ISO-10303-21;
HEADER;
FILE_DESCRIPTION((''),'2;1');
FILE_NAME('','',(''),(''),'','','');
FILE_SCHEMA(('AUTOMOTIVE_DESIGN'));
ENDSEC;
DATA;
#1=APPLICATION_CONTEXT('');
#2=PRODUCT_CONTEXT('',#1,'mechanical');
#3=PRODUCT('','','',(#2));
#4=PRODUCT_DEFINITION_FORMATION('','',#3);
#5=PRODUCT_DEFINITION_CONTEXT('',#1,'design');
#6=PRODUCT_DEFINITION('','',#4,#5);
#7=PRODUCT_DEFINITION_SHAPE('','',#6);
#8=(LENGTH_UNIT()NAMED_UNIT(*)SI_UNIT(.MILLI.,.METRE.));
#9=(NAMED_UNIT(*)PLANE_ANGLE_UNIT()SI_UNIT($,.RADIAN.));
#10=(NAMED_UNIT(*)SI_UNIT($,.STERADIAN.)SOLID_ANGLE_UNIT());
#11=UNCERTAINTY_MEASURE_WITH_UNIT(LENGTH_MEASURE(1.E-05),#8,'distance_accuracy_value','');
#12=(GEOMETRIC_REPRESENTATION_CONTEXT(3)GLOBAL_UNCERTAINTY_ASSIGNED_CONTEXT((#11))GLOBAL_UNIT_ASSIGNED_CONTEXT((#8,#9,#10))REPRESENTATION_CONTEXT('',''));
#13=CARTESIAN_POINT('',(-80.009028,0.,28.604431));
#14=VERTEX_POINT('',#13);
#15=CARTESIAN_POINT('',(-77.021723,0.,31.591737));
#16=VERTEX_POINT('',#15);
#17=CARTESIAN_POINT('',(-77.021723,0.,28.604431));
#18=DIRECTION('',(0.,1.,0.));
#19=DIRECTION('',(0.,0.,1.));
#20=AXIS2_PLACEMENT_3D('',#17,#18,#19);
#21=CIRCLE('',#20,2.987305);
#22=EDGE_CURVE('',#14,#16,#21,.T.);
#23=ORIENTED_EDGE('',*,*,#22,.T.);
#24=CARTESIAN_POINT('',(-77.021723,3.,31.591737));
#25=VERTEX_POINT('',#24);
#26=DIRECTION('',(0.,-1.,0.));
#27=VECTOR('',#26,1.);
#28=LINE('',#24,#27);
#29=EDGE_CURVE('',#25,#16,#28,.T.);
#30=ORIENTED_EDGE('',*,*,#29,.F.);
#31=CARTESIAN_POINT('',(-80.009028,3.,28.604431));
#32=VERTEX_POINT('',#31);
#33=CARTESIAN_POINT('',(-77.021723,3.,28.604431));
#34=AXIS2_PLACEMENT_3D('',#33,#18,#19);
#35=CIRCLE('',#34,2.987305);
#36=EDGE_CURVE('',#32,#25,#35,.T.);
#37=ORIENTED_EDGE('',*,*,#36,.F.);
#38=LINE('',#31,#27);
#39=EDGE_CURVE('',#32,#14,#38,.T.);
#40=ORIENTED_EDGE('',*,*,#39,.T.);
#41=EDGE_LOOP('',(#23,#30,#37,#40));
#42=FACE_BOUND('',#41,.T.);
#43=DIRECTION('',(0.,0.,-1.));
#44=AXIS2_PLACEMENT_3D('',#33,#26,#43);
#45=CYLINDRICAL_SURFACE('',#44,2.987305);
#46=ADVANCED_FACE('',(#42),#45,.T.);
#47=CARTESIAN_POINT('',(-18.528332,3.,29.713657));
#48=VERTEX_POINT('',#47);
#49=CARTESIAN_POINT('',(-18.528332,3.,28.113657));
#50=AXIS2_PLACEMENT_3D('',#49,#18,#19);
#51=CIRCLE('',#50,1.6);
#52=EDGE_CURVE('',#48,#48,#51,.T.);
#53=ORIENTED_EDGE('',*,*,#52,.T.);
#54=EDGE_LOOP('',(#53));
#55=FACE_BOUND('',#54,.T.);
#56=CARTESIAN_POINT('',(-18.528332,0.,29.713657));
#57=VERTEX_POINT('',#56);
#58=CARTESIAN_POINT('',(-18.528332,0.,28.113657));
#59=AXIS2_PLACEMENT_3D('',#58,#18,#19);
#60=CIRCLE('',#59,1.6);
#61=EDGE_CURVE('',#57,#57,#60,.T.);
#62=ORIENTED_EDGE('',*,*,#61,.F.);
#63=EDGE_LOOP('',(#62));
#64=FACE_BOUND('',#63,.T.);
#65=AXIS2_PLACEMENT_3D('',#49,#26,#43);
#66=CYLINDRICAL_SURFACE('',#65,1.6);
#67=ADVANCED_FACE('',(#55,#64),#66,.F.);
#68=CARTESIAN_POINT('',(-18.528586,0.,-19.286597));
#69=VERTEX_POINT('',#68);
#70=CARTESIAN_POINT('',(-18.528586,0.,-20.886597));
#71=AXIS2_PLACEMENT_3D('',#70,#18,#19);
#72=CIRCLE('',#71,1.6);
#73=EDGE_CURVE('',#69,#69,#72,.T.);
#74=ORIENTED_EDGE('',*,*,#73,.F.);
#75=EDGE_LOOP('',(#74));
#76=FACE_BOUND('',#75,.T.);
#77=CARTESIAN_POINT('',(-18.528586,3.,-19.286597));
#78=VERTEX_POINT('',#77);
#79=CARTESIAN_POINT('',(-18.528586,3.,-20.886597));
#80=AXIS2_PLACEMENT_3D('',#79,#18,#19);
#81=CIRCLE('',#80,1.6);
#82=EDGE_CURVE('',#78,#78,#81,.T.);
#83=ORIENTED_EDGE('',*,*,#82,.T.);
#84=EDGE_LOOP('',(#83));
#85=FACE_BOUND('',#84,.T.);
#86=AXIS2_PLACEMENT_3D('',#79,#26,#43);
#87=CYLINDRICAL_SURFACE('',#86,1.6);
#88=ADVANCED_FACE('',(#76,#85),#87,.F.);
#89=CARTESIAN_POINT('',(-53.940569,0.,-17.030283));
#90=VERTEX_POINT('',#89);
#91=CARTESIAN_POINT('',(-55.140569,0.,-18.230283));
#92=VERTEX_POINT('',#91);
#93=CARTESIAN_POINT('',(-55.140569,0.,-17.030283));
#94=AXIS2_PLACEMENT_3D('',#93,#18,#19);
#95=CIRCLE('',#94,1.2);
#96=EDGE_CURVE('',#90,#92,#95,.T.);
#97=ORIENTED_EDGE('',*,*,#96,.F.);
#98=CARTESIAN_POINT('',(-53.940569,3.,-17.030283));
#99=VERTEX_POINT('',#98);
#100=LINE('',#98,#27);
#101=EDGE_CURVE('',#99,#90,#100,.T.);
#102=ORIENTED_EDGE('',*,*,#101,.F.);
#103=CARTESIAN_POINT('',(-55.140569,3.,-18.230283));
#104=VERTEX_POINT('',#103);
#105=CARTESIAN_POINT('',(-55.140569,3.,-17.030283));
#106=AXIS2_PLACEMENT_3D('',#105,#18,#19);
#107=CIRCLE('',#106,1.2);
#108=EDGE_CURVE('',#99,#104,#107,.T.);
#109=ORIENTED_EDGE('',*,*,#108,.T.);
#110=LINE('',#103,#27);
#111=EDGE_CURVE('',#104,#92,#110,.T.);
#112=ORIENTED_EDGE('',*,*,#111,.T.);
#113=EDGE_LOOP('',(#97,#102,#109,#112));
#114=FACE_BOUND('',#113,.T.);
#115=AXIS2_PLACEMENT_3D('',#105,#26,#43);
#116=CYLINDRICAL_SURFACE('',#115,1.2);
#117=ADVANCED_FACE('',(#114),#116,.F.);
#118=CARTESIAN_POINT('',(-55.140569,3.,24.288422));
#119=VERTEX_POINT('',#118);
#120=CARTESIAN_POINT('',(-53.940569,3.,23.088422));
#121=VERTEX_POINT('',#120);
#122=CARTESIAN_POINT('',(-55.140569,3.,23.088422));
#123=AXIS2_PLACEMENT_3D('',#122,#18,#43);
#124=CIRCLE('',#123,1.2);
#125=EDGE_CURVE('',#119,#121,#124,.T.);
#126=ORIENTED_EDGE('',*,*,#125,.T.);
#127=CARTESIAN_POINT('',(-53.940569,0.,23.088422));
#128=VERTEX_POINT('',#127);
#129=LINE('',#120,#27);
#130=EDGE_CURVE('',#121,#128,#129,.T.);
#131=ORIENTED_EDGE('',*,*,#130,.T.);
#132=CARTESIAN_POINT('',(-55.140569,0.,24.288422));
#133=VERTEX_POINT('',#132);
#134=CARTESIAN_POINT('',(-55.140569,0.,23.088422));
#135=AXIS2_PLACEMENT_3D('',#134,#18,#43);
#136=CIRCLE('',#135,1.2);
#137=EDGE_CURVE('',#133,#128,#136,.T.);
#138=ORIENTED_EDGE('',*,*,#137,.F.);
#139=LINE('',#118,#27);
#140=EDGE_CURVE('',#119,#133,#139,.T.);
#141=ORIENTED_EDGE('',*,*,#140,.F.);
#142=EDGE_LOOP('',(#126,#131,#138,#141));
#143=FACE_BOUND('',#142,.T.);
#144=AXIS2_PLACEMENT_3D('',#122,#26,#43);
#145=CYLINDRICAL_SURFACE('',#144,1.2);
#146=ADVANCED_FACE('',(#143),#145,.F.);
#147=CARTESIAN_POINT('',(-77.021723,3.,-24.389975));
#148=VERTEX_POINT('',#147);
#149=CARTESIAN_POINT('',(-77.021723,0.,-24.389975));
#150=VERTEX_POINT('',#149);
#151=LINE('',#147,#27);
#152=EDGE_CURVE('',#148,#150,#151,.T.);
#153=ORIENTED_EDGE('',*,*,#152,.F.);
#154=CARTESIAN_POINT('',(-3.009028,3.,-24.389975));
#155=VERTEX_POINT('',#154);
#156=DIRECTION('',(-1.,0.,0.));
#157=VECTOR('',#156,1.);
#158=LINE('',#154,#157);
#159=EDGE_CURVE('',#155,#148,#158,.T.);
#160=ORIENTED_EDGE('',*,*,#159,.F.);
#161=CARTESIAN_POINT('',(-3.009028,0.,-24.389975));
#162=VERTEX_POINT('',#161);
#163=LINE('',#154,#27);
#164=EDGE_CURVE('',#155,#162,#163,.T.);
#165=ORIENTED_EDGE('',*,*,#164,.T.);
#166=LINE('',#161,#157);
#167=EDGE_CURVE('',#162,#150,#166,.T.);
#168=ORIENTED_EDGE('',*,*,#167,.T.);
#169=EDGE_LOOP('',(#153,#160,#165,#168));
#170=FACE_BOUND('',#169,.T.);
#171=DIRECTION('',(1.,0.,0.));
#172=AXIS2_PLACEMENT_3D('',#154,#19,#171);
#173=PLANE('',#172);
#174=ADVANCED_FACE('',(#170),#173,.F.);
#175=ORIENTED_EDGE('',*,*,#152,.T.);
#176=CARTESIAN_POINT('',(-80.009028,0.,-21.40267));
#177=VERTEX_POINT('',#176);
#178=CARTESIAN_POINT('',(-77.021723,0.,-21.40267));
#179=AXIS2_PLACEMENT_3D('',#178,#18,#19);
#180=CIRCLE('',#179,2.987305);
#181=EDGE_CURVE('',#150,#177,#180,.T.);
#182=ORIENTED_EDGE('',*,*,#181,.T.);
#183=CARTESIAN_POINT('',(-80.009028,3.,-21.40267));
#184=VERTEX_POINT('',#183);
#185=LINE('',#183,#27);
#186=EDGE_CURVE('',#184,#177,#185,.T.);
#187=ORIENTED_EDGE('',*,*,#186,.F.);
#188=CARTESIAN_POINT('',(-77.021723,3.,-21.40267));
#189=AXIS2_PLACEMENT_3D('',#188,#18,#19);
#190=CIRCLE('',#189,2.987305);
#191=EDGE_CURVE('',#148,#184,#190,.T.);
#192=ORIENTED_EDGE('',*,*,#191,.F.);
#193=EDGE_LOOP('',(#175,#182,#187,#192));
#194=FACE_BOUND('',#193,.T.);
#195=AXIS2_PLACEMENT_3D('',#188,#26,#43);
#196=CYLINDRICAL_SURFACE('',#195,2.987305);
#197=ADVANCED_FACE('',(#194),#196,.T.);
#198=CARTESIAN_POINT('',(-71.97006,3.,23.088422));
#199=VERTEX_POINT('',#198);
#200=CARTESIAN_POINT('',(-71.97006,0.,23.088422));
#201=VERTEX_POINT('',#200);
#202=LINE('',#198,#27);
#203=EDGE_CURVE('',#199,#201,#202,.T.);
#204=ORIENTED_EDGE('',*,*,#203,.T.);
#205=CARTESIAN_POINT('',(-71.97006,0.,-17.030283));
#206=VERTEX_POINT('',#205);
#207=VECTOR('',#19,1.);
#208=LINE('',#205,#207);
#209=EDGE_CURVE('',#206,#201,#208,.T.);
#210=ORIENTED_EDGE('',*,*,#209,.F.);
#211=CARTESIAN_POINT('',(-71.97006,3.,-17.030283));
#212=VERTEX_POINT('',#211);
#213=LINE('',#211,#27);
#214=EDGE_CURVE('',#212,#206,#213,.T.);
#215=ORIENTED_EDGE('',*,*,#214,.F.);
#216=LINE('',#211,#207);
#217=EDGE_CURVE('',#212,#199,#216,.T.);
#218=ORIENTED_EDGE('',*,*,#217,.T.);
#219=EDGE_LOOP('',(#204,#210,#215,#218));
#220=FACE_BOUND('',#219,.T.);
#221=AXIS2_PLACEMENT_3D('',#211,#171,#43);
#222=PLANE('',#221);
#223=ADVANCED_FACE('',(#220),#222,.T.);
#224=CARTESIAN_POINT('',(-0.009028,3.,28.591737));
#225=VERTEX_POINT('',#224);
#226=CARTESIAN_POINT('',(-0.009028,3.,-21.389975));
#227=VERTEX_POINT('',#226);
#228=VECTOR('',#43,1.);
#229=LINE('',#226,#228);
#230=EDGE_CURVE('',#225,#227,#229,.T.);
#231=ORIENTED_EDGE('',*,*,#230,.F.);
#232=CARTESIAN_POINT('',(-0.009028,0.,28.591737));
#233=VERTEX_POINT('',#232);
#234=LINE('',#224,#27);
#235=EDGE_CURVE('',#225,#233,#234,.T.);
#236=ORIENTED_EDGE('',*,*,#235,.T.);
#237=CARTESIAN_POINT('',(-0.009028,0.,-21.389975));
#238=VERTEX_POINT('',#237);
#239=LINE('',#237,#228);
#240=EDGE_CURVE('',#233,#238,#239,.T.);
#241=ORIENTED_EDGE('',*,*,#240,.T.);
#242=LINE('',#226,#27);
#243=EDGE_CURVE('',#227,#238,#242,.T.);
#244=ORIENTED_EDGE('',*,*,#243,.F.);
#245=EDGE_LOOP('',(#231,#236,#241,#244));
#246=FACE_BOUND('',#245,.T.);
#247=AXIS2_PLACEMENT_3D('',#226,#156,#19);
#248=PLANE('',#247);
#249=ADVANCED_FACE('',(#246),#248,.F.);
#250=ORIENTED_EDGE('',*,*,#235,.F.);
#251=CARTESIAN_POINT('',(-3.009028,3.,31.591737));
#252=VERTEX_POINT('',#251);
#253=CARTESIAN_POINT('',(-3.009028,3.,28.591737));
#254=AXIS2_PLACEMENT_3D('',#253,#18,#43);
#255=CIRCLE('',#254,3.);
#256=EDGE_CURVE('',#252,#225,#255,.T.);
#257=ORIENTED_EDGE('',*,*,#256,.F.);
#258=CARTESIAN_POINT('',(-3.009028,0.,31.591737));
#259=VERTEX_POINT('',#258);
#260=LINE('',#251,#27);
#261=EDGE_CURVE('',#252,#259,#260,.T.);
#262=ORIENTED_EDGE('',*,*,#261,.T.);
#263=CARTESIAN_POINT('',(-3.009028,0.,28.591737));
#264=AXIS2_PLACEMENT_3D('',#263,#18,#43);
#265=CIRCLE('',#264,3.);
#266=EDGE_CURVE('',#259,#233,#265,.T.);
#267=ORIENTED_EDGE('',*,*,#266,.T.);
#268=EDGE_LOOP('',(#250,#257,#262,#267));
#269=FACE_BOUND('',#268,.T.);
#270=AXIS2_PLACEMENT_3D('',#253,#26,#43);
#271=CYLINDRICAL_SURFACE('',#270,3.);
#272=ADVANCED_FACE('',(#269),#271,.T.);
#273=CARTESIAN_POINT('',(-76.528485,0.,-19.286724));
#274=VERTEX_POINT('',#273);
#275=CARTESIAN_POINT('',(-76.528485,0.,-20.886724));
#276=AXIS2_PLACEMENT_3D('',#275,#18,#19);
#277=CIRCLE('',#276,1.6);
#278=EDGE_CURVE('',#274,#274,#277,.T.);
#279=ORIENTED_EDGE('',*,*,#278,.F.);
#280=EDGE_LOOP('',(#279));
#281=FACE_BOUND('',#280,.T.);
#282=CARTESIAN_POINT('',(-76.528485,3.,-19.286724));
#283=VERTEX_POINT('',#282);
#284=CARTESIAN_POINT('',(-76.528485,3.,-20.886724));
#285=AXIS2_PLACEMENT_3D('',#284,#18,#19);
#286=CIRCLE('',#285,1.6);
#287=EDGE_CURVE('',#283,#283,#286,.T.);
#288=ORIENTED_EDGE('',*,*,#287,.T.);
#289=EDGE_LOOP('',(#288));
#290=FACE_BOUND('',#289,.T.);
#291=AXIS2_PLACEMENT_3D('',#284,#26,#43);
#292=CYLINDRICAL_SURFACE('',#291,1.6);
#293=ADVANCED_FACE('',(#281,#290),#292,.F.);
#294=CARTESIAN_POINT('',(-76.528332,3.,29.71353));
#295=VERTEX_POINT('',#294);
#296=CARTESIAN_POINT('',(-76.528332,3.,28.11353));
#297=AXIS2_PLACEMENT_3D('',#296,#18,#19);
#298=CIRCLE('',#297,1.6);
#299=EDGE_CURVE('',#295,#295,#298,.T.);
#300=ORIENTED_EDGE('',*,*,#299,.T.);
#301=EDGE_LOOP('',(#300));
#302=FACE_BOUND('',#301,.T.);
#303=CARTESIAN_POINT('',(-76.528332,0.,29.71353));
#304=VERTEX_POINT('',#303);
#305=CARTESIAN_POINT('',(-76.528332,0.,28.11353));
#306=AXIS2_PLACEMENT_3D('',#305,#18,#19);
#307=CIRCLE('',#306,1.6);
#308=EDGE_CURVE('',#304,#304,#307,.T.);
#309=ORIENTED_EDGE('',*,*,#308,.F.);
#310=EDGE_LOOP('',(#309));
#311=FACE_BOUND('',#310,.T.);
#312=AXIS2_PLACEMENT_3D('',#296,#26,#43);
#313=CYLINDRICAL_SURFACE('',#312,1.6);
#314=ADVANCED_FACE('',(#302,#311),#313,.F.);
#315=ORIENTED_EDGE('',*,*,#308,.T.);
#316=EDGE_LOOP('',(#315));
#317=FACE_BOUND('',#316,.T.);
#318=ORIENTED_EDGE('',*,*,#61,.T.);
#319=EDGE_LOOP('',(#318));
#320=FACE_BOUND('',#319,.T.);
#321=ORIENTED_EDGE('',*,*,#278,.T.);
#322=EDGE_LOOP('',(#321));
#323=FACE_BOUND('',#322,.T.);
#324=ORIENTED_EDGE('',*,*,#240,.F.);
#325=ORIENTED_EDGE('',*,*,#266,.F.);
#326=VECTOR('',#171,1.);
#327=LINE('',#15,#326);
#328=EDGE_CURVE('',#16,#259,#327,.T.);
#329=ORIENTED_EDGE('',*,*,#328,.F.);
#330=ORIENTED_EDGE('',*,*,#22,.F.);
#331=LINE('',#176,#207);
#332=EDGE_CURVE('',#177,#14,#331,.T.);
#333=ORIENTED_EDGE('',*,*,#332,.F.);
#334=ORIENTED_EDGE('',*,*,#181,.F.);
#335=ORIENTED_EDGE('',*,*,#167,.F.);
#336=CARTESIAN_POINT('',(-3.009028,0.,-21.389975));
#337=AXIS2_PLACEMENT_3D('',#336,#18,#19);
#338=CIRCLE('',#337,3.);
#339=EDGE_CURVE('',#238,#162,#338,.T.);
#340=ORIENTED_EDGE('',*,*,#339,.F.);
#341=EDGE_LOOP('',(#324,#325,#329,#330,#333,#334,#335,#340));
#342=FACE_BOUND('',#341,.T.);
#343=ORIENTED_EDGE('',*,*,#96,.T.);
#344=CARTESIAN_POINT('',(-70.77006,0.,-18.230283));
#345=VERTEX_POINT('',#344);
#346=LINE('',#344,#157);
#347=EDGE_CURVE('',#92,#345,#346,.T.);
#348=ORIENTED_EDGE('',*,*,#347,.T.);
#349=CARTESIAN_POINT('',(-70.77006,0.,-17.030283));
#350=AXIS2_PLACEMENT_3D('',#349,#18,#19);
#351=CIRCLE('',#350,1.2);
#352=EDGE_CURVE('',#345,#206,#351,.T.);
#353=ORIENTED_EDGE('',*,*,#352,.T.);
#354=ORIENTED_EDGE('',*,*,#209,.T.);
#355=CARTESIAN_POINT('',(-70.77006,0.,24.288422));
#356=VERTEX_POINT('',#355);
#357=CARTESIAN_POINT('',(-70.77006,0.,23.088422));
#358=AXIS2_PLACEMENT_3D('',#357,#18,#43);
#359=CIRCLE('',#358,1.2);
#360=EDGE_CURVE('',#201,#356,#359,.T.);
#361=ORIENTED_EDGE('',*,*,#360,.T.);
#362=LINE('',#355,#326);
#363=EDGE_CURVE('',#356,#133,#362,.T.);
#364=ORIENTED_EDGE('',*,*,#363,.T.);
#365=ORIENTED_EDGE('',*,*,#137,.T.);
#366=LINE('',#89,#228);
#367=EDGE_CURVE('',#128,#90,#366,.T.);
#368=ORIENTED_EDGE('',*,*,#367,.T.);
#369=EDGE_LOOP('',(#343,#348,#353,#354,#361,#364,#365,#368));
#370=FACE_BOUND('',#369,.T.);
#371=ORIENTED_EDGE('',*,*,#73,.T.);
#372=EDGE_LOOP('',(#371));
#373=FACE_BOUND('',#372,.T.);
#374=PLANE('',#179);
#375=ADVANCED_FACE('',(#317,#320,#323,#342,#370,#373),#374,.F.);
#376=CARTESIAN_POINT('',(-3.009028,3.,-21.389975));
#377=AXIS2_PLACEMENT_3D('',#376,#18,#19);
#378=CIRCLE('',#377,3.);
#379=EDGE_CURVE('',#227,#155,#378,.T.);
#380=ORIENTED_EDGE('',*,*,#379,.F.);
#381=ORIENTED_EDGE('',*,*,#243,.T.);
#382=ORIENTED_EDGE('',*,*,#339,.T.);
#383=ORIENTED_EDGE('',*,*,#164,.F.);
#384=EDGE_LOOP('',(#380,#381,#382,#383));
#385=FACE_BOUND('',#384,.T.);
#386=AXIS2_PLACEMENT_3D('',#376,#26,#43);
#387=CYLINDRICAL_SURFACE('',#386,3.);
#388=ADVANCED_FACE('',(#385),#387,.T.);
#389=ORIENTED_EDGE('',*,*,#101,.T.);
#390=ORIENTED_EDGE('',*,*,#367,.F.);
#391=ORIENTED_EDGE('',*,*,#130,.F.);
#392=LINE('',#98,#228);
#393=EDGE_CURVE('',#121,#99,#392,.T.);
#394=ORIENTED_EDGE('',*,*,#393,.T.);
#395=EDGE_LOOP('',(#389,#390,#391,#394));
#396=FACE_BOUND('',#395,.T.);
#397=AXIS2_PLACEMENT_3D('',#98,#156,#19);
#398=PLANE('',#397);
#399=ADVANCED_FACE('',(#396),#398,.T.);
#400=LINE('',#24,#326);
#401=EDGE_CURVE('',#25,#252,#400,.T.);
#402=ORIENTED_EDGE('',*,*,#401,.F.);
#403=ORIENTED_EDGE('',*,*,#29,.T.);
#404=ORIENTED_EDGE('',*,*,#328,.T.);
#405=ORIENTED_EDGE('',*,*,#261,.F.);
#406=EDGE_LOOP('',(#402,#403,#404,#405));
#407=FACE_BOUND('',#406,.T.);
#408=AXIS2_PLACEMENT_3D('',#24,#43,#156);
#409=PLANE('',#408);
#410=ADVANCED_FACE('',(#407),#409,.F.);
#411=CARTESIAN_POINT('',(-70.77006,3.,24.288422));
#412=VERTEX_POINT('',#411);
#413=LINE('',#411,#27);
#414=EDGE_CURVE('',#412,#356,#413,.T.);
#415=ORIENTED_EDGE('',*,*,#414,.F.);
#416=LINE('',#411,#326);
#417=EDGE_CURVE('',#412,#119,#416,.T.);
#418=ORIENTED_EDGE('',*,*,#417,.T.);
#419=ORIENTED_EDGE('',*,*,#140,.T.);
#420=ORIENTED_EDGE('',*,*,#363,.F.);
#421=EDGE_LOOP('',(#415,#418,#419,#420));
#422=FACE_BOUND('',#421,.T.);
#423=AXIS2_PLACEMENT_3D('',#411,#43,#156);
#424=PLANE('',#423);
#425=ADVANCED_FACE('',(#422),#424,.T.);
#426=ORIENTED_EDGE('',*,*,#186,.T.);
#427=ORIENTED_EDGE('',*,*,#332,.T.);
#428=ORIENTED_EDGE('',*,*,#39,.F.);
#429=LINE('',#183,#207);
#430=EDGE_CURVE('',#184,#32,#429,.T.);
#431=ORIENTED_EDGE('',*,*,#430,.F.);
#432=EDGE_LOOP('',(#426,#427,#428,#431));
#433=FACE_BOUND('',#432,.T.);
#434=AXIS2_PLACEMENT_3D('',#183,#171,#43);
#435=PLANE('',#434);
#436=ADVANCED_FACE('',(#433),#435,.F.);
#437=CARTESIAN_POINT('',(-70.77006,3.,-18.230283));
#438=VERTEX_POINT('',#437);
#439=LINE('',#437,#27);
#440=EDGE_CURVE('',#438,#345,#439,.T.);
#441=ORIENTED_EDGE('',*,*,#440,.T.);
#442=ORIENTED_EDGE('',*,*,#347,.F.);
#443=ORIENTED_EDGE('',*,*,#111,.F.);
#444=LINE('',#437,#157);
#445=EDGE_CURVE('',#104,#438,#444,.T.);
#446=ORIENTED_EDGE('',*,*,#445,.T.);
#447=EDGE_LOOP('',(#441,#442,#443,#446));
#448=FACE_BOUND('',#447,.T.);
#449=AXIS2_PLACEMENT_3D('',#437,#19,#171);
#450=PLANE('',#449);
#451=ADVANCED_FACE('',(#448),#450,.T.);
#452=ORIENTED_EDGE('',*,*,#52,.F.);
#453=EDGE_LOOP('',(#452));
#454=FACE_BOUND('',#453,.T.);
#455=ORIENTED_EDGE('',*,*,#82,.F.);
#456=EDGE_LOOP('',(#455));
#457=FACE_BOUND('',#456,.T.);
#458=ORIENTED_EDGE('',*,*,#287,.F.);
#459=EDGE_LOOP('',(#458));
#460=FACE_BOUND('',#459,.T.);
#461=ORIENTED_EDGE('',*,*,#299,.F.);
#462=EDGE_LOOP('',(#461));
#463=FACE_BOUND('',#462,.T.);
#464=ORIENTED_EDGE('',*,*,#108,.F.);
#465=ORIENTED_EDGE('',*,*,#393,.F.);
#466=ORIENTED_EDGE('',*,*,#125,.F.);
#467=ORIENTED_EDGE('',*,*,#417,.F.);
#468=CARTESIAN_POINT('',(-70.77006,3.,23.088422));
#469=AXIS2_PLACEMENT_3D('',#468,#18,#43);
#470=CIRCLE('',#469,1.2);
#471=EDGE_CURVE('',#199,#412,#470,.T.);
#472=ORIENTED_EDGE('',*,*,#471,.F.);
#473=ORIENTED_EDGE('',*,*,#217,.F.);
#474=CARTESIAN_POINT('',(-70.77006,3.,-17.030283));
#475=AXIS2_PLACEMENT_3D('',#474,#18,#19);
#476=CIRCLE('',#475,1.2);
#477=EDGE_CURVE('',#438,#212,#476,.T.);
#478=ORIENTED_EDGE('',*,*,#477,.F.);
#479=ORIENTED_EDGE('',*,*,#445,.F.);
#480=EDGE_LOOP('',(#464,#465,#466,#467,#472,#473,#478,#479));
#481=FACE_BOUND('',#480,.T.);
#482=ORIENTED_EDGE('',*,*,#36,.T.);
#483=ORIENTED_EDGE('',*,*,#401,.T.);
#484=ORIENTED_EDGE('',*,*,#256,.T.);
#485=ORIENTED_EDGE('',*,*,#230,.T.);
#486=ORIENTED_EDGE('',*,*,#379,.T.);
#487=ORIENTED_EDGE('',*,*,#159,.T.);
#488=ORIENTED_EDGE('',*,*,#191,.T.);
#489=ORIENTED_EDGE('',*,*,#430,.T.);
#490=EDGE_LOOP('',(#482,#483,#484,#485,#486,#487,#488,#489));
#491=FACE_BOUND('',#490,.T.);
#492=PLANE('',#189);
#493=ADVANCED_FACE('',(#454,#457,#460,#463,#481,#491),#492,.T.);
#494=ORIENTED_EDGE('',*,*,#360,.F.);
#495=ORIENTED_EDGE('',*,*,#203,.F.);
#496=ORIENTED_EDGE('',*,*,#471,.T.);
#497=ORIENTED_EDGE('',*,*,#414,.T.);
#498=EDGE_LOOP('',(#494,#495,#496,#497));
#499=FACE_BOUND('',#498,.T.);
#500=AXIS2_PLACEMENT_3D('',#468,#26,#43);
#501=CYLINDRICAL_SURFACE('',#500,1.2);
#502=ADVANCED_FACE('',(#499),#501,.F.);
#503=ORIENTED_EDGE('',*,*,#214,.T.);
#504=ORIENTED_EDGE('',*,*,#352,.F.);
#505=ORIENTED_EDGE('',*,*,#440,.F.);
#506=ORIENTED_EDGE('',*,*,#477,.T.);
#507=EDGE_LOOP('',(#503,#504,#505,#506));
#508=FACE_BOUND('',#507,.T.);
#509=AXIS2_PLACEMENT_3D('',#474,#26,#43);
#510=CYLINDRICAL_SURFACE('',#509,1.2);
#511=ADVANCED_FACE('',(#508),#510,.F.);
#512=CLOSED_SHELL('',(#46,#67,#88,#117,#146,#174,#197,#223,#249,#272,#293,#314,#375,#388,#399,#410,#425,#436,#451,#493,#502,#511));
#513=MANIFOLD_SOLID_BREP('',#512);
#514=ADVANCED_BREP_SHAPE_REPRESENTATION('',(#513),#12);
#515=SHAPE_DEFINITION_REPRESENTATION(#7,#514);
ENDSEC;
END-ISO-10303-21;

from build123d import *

# Parameters (mm, degrees)
SKETCH_1_R      = 1.6
EXTRUDE_1_DEPTH = 3


with BuildPart() as part:
    # 草图1 → 凸台-拉伸1 (new body)
    with BuildSketch(Plane(origin=(0, 0, 0), x_dir=(1, 0, 0), z_dir=(0, 1, 0))):
        with BuildLine():
            Line((-0.009028181, 21.389975432), (-0.009028181, -28.591736531))
            ThreePointArc((-0.009028181, -28.591736531), (-0.887707838, -30.713056875), (-3.009028181, -31.591736531))
            Line((-3.009028181, -31.591736531), (-77.021723127, -31.591736531))
            ThreePointArc((-77.021723127, -31.591736531), (-79.134066788, -30.716775138), (-80.009028181, -28.604431477))
            Line((-80.009028181, -28.604431477), (-80.009028181, 21.402670377))
            ThreePointArc((-80.009028181, 21.402670377), (-79.134066788, 23.515014039), (-77.021723127, 24.389975432))
            Line((-77.021723127, 24.389975432), (-3.009028181, 24.389975432))
            ThreePointArc((-3.009028181, 24.389975432), (-0.887707838, 23.511295776), (-0.009028181, 21.389975432))
        make_face()
        with Locations(Location((-76.52848462, 20.886724226, 0), (0, 0, 270))):
            Circle(SKETCH_1_R, mode=Mode.SUBTRACT)
        with Locations(Location((-18.52858622, 20.886597225, 0), (0, 0, 270))):
            Circle(SKETCH_1_R, mode=Mode.SUBTRACT)
        with Locations(Location((-18.52833222, -28.113656775, 0), (0, 0, 270))):
            Circle(SKETCH_1_R, mode=Mode.SUBTRACT)
        with Locations(Location((-76.52833222, -28.113529775, 0), (0, 0, 270))):
            Circle(SKETCH_1_R, mode=Mode.SUBTRACT)
        with BuildLine():
            Line((-70.770059731, 18.230282987), (-55.140568984, 18.230282987))
            ThreePointArc((-55.140568984, 18.230282987), (-54.292040846, 17.878811124), (-53.940568984, 17.030282987))
            Line((-53.940568984, 17.030282987), (-53.940568984, -23.088422311))
            ThreePointArc((-53.940568984, -23.088422311), (-54.292040846, -23.936950448), (-55.140568984, -24.288422311))
            Line((-55.140568984, -24.288422311), (-70.770059731, -24.288422311))
            ThreePointArc((-70.770059731, -24.288422311), (-71.618587868, -23.936950448), (-71.970059731, -23.088422311))
            Line((-71.970059731, -23.088422311), (-71.970059731, 17.030282987))
            ThreePointArc((-71.970059731, 17.030282987), (-71.618587868, 17.878811124), (-70.770059731, 18.230282987))
        make_face(mode=Mode.SUBTRACT)
    extrude(amount=EXTRUDE_1_DEPTH)


solid = part.part
